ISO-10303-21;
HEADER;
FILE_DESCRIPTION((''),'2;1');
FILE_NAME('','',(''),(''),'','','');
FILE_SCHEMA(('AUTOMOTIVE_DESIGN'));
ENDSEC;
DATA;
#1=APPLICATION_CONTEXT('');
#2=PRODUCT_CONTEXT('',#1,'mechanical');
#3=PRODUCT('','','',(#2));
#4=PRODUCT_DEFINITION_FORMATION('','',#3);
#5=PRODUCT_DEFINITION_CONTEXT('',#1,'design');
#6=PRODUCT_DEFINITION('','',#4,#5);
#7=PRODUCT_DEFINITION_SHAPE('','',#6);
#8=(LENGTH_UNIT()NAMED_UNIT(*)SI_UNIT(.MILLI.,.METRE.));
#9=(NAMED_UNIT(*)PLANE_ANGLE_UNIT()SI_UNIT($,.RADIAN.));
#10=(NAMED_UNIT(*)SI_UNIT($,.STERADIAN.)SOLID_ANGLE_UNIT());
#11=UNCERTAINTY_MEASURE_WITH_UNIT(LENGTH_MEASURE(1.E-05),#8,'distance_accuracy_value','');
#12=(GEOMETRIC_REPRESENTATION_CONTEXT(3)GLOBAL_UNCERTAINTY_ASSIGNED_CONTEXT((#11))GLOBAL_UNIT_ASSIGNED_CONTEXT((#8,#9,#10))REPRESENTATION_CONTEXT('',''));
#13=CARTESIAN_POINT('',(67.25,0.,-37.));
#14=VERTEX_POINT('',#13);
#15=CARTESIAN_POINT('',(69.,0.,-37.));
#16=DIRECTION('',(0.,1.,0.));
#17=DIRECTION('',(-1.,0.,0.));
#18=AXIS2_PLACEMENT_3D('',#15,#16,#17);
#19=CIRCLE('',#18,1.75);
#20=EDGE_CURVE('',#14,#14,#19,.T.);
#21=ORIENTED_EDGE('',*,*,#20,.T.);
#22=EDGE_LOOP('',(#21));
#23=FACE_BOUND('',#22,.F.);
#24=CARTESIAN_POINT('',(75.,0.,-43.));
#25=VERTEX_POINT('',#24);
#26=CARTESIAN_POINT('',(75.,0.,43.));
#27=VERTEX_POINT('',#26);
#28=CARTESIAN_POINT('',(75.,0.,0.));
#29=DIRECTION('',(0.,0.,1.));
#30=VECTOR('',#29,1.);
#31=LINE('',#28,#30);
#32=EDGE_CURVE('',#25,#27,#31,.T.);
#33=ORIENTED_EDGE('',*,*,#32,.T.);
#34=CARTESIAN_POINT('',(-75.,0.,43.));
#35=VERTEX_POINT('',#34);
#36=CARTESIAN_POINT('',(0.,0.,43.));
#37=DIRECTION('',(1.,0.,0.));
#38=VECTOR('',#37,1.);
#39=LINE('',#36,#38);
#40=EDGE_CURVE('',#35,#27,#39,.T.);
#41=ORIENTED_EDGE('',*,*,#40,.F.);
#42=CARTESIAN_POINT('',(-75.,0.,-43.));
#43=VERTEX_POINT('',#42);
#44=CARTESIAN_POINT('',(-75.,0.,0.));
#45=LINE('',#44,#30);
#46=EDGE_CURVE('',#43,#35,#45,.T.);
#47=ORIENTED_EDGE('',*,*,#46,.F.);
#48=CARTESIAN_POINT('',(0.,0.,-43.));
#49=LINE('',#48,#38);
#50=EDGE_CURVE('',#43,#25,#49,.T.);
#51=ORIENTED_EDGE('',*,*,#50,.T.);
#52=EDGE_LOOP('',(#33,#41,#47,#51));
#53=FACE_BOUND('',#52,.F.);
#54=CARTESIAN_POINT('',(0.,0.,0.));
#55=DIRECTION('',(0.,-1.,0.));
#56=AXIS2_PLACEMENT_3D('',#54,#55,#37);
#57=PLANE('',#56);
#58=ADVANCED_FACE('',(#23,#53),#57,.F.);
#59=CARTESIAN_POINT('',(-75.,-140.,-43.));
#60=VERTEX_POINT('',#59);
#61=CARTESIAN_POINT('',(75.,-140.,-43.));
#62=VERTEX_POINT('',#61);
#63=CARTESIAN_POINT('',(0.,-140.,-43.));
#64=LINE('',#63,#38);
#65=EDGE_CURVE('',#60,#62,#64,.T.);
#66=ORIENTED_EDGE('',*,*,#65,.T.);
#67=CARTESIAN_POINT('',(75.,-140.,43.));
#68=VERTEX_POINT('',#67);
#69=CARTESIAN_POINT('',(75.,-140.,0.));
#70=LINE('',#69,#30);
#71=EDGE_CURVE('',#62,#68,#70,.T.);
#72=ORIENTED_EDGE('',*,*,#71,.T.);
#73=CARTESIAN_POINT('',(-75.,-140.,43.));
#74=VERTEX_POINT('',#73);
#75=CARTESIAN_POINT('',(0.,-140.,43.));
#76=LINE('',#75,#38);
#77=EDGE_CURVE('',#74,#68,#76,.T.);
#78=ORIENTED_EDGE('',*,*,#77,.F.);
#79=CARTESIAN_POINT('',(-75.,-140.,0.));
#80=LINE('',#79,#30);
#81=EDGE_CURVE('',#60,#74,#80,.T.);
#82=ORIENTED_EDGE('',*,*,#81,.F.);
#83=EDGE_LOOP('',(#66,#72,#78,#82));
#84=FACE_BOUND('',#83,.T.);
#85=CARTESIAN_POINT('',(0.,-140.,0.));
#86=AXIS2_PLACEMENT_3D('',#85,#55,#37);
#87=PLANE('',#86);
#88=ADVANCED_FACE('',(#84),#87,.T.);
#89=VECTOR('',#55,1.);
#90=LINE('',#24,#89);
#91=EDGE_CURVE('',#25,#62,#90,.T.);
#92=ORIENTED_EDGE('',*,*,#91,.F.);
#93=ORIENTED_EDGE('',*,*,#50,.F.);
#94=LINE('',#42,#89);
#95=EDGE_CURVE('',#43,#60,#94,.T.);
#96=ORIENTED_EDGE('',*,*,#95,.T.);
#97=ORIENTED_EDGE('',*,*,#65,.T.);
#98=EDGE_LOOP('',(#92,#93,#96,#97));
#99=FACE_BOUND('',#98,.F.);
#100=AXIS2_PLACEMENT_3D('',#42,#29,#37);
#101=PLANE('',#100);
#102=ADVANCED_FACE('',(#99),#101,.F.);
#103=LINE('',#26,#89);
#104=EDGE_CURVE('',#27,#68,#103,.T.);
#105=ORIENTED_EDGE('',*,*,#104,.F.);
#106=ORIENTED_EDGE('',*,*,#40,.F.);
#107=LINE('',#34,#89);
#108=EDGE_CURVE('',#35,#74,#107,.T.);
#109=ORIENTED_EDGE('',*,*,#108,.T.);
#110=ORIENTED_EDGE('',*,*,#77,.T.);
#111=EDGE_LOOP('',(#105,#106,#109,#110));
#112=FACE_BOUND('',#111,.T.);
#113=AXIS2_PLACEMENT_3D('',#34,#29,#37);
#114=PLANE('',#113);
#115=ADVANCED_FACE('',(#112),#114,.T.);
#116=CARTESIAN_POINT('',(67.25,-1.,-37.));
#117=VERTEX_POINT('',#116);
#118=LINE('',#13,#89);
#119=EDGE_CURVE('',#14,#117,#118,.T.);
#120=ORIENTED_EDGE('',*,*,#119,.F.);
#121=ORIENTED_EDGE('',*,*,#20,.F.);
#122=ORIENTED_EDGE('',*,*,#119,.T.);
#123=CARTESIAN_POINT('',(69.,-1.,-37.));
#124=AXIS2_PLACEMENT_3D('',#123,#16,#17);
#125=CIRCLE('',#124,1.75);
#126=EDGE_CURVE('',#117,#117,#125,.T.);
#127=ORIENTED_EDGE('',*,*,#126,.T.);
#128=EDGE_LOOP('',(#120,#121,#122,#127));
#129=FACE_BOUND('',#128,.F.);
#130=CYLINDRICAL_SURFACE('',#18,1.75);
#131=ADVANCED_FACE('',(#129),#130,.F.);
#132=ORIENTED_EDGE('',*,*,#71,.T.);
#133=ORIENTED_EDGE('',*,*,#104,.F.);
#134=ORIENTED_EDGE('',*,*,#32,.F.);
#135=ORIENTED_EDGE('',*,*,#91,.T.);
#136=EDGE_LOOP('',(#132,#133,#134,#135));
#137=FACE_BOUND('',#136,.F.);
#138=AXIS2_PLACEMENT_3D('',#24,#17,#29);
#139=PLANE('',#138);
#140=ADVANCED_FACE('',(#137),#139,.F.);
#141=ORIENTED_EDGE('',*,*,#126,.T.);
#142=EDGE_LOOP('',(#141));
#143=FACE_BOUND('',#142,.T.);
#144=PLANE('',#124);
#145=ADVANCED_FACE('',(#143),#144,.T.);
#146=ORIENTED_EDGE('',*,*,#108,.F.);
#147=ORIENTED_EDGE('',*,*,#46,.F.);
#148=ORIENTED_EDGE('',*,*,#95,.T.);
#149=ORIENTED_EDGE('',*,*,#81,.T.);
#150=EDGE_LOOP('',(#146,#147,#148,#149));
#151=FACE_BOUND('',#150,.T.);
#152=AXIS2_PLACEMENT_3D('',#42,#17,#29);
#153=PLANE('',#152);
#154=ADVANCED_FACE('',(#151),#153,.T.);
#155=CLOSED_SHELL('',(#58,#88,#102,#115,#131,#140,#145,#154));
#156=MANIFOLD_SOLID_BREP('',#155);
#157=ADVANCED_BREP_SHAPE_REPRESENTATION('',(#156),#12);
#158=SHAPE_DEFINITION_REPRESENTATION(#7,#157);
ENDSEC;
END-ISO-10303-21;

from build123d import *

# Parameters (mm, degrees)
F0_W     = 150
F0_H     = 86
F1_DEPTH = 140
F2_R     = 1.75
F3_DEPTH = 1


with BuildPart() as f1:
    # F0 (on Front) → F1 (new body)
    with BuildSketch(Plane.XZ):
        Rectangle(F0_W, F0_H)
    extrude(amount=F1_DEPTH)

    # F2 (on face) → F3 (cut)
    with BuildSketch(Plane(origin=(0, 0, 0), x_dir=(-1, 0, 0), z_dir=(0, 1, 0))):
        with Locations((-69, -37)):
            Circle(F2_R)
    extrude(amount=-F3_DEPTH, mode=Mode.SUBTRACT)


solid = f1.part
